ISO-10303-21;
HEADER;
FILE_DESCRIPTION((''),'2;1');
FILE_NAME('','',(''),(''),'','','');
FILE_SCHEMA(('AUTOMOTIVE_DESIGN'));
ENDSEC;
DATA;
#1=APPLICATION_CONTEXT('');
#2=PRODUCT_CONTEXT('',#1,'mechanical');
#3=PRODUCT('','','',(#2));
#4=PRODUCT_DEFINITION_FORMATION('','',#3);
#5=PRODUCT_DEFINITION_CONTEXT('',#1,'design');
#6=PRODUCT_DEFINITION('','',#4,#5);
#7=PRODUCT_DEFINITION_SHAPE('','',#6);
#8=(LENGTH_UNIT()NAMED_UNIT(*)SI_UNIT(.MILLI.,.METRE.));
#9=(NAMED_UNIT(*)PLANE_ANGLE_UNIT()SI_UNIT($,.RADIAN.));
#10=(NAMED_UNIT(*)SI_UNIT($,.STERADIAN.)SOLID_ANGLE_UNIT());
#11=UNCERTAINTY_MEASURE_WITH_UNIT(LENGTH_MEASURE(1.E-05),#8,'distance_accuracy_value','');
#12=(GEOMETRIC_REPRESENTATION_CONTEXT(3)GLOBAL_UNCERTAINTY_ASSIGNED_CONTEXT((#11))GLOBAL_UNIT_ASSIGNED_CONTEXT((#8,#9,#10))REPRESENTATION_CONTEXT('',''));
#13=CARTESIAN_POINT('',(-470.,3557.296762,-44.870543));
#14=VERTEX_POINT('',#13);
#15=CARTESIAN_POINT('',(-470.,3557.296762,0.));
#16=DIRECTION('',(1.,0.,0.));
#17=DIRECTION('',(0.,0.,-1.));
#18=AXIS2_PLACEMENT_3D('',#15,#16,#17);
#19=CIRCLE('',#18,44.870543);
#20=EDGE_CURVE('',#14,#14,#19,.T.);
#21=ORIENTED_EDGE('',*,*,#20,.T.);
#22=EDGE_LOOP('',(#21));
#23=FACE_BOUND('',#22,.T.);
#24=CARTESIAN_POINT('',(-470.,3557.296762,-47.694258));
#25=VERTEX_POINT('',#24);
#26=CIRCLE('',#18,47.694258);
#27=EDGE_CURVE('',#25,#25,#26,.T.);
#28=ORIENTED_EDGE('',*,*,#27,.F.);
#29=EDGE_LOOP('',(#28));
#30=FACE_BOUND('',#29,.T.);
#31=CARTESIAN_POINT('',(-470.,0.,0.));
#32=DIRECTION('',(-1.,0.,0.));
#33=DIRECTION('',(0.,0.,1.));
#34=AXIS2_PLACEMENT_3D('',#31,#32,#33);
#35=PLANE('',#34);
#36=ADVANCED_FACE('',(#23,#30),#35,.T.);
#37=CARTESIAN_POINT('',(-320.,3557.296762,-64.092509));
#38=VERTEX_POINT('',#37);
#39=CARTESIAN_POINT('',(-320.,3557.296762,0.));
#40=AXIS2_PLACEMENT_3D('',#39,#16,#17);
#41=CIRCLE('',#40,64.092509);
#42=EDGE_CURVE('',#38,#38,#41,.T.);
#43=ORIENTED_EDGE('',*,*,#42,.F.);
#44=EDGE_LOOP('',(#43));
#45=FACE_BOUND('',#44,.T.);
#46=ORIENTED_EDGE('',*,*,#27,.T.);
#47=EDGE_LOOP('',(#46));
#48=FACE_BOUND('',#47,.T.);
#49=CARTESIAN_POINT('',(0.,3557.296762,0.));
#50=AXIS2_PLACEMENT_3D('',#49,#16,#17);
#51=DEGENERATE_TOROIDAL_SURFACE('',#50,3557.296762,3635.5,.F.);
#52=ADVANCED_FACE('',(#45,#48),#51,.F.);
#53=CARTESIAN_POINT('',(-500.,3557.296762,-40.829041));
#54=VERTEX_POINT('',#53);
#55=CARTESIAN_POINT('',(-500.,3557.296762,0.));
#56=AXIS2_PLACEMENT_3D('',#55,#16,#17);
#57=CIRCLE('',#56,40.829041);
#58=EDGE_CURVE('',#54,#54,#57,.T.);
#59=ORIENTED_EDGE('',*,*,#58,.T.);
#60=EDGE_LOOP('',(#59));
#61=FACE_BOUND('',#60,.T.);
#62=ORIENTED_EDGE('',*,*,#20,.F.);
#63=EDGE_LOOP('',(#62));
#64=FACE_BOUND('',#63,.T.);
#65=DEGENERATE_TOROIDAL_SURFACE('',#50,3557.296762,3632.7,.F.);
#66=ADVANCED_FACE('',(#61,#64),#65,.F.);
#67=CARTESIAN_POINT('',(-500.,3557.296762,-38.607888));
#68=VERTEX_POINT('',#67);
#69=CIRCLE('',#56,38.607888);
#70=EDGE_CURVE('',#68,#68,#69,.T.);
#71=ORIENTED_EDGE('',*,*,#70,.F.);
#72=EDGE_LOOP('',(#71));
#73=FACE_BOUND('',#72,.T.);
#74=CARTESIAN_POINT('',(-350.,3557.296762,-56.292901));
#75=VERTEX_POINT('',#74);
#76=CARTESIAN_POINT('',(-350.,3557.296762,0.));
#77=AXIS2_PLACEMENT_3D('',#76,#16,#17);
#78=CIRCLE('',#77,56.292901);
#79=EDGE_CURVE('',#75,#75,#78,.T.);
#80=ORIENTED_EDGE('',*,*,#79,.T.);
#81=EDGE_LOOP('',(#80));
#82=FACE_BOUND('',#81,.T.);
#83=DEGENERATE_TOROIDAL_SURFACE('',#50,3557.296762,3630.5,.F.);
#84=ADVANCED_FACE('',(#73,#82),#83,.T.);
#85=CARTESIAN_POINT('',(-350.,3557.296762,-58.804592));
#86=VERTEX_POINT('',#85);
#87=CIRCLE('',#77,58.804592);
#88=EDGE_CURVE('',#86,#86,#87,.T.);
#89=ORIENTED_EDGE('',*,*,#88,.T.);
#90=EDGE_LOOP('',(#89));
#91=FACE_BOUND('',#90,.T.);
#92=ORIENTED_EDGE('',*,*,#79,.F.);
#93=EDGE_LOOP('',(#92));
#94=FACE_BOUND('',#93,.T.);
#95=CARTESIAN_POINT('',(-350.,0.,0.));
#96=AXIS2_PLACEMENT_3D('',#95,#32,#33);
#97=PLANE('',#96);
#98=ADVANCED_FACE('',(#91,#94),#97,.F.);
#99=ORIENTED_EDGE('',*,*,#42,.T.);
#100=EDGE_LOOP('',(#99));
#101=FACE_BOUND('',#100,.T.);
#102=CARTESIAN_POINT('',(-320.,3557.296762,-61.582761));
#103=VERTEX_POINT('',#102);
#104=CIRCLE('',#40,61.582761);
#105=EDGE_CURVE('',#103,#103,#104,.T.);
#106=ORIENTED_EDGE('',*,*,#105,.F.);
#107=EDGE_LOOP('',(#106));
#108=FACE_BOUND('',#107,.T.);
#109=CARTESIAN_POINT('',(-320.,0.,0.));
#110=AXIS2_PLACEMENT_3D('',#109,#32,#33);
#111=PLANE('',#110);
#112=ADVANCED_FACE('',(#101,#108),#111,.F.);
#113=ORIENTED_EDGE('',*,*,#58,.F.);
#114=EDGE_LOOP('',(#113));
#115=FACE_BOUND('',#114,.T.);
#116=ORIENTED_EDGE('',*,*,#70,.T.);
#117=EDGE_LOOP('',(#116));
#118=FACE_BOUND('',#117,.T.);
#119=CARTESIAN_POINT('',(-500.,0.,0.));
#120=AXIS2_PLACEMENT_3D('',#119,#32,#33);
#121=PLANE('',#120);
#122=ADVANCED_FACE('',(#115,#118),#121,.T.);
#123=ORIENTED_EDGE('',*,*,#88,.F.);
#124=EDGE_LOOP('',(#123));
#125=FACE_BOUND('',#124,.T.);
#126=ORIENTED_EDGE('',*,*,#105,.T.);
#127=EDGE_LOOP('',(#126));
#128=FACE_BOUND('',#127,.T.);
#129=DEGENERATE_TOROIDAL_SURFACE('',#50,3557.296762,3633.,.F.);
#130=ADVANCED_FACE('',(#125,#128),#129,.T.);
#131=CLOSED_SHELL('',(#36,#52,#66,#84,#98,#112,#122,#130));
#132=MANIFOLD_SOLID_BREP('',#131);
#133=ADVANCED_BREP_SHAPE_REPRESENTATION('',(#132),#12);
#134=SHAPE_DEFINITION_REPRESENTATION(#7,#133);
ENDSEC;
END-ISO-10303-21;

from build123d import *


with BuildPart() as part:
    # Sketch1 → Revolve1 (revolve)
    with BuildSketch(Plane.XY, mode=Mode.PRIVATE) as revolve1_sk:
        with BuildLine():
            Line((-320, 3618.879522725), (-320, 3621.389270708))
            ThreePointArc((-320, 3621.389270708), (-395.085086609, 3613.968459234), (-470, 3604.991019406))
            Line((-470, 3604.991019406), (-470, 3602.469847202))
            Line((-470, 3602.469847202), (-470, 3602.167304554))
            ThreePointArc((-470, 3602.167304554), (-485.004209708, 3600.177802077), (-499.999999999, 3598.125802414))
            Line((-499.999999999, 3598.125802414), (-499.999999999, 3595.904649737))
            ThreePointArc((-499.999999999, 3595.904649737), (-425.091978188, 3605.527292932), (-350, 3613.589662649))
            Line((-350, 3613.589662649), (-350, 3615.799951601))
            Line((-350, 3615.799951601), (-350, 3616.101353668))
            ThreePointArc((-350, 3616.101353668), (-335.002879921, 3617.52153697), (-320, 3618.879522725))
        make_face()
    revolve(revolve1_sk.sketch.rotate(Axis((0, 3557.296761587, 0), (-1, 0, 0)), 90), axis=Axis((0, 3557.296761587, 0), (-1, 0, 0)))


solid = part.part
